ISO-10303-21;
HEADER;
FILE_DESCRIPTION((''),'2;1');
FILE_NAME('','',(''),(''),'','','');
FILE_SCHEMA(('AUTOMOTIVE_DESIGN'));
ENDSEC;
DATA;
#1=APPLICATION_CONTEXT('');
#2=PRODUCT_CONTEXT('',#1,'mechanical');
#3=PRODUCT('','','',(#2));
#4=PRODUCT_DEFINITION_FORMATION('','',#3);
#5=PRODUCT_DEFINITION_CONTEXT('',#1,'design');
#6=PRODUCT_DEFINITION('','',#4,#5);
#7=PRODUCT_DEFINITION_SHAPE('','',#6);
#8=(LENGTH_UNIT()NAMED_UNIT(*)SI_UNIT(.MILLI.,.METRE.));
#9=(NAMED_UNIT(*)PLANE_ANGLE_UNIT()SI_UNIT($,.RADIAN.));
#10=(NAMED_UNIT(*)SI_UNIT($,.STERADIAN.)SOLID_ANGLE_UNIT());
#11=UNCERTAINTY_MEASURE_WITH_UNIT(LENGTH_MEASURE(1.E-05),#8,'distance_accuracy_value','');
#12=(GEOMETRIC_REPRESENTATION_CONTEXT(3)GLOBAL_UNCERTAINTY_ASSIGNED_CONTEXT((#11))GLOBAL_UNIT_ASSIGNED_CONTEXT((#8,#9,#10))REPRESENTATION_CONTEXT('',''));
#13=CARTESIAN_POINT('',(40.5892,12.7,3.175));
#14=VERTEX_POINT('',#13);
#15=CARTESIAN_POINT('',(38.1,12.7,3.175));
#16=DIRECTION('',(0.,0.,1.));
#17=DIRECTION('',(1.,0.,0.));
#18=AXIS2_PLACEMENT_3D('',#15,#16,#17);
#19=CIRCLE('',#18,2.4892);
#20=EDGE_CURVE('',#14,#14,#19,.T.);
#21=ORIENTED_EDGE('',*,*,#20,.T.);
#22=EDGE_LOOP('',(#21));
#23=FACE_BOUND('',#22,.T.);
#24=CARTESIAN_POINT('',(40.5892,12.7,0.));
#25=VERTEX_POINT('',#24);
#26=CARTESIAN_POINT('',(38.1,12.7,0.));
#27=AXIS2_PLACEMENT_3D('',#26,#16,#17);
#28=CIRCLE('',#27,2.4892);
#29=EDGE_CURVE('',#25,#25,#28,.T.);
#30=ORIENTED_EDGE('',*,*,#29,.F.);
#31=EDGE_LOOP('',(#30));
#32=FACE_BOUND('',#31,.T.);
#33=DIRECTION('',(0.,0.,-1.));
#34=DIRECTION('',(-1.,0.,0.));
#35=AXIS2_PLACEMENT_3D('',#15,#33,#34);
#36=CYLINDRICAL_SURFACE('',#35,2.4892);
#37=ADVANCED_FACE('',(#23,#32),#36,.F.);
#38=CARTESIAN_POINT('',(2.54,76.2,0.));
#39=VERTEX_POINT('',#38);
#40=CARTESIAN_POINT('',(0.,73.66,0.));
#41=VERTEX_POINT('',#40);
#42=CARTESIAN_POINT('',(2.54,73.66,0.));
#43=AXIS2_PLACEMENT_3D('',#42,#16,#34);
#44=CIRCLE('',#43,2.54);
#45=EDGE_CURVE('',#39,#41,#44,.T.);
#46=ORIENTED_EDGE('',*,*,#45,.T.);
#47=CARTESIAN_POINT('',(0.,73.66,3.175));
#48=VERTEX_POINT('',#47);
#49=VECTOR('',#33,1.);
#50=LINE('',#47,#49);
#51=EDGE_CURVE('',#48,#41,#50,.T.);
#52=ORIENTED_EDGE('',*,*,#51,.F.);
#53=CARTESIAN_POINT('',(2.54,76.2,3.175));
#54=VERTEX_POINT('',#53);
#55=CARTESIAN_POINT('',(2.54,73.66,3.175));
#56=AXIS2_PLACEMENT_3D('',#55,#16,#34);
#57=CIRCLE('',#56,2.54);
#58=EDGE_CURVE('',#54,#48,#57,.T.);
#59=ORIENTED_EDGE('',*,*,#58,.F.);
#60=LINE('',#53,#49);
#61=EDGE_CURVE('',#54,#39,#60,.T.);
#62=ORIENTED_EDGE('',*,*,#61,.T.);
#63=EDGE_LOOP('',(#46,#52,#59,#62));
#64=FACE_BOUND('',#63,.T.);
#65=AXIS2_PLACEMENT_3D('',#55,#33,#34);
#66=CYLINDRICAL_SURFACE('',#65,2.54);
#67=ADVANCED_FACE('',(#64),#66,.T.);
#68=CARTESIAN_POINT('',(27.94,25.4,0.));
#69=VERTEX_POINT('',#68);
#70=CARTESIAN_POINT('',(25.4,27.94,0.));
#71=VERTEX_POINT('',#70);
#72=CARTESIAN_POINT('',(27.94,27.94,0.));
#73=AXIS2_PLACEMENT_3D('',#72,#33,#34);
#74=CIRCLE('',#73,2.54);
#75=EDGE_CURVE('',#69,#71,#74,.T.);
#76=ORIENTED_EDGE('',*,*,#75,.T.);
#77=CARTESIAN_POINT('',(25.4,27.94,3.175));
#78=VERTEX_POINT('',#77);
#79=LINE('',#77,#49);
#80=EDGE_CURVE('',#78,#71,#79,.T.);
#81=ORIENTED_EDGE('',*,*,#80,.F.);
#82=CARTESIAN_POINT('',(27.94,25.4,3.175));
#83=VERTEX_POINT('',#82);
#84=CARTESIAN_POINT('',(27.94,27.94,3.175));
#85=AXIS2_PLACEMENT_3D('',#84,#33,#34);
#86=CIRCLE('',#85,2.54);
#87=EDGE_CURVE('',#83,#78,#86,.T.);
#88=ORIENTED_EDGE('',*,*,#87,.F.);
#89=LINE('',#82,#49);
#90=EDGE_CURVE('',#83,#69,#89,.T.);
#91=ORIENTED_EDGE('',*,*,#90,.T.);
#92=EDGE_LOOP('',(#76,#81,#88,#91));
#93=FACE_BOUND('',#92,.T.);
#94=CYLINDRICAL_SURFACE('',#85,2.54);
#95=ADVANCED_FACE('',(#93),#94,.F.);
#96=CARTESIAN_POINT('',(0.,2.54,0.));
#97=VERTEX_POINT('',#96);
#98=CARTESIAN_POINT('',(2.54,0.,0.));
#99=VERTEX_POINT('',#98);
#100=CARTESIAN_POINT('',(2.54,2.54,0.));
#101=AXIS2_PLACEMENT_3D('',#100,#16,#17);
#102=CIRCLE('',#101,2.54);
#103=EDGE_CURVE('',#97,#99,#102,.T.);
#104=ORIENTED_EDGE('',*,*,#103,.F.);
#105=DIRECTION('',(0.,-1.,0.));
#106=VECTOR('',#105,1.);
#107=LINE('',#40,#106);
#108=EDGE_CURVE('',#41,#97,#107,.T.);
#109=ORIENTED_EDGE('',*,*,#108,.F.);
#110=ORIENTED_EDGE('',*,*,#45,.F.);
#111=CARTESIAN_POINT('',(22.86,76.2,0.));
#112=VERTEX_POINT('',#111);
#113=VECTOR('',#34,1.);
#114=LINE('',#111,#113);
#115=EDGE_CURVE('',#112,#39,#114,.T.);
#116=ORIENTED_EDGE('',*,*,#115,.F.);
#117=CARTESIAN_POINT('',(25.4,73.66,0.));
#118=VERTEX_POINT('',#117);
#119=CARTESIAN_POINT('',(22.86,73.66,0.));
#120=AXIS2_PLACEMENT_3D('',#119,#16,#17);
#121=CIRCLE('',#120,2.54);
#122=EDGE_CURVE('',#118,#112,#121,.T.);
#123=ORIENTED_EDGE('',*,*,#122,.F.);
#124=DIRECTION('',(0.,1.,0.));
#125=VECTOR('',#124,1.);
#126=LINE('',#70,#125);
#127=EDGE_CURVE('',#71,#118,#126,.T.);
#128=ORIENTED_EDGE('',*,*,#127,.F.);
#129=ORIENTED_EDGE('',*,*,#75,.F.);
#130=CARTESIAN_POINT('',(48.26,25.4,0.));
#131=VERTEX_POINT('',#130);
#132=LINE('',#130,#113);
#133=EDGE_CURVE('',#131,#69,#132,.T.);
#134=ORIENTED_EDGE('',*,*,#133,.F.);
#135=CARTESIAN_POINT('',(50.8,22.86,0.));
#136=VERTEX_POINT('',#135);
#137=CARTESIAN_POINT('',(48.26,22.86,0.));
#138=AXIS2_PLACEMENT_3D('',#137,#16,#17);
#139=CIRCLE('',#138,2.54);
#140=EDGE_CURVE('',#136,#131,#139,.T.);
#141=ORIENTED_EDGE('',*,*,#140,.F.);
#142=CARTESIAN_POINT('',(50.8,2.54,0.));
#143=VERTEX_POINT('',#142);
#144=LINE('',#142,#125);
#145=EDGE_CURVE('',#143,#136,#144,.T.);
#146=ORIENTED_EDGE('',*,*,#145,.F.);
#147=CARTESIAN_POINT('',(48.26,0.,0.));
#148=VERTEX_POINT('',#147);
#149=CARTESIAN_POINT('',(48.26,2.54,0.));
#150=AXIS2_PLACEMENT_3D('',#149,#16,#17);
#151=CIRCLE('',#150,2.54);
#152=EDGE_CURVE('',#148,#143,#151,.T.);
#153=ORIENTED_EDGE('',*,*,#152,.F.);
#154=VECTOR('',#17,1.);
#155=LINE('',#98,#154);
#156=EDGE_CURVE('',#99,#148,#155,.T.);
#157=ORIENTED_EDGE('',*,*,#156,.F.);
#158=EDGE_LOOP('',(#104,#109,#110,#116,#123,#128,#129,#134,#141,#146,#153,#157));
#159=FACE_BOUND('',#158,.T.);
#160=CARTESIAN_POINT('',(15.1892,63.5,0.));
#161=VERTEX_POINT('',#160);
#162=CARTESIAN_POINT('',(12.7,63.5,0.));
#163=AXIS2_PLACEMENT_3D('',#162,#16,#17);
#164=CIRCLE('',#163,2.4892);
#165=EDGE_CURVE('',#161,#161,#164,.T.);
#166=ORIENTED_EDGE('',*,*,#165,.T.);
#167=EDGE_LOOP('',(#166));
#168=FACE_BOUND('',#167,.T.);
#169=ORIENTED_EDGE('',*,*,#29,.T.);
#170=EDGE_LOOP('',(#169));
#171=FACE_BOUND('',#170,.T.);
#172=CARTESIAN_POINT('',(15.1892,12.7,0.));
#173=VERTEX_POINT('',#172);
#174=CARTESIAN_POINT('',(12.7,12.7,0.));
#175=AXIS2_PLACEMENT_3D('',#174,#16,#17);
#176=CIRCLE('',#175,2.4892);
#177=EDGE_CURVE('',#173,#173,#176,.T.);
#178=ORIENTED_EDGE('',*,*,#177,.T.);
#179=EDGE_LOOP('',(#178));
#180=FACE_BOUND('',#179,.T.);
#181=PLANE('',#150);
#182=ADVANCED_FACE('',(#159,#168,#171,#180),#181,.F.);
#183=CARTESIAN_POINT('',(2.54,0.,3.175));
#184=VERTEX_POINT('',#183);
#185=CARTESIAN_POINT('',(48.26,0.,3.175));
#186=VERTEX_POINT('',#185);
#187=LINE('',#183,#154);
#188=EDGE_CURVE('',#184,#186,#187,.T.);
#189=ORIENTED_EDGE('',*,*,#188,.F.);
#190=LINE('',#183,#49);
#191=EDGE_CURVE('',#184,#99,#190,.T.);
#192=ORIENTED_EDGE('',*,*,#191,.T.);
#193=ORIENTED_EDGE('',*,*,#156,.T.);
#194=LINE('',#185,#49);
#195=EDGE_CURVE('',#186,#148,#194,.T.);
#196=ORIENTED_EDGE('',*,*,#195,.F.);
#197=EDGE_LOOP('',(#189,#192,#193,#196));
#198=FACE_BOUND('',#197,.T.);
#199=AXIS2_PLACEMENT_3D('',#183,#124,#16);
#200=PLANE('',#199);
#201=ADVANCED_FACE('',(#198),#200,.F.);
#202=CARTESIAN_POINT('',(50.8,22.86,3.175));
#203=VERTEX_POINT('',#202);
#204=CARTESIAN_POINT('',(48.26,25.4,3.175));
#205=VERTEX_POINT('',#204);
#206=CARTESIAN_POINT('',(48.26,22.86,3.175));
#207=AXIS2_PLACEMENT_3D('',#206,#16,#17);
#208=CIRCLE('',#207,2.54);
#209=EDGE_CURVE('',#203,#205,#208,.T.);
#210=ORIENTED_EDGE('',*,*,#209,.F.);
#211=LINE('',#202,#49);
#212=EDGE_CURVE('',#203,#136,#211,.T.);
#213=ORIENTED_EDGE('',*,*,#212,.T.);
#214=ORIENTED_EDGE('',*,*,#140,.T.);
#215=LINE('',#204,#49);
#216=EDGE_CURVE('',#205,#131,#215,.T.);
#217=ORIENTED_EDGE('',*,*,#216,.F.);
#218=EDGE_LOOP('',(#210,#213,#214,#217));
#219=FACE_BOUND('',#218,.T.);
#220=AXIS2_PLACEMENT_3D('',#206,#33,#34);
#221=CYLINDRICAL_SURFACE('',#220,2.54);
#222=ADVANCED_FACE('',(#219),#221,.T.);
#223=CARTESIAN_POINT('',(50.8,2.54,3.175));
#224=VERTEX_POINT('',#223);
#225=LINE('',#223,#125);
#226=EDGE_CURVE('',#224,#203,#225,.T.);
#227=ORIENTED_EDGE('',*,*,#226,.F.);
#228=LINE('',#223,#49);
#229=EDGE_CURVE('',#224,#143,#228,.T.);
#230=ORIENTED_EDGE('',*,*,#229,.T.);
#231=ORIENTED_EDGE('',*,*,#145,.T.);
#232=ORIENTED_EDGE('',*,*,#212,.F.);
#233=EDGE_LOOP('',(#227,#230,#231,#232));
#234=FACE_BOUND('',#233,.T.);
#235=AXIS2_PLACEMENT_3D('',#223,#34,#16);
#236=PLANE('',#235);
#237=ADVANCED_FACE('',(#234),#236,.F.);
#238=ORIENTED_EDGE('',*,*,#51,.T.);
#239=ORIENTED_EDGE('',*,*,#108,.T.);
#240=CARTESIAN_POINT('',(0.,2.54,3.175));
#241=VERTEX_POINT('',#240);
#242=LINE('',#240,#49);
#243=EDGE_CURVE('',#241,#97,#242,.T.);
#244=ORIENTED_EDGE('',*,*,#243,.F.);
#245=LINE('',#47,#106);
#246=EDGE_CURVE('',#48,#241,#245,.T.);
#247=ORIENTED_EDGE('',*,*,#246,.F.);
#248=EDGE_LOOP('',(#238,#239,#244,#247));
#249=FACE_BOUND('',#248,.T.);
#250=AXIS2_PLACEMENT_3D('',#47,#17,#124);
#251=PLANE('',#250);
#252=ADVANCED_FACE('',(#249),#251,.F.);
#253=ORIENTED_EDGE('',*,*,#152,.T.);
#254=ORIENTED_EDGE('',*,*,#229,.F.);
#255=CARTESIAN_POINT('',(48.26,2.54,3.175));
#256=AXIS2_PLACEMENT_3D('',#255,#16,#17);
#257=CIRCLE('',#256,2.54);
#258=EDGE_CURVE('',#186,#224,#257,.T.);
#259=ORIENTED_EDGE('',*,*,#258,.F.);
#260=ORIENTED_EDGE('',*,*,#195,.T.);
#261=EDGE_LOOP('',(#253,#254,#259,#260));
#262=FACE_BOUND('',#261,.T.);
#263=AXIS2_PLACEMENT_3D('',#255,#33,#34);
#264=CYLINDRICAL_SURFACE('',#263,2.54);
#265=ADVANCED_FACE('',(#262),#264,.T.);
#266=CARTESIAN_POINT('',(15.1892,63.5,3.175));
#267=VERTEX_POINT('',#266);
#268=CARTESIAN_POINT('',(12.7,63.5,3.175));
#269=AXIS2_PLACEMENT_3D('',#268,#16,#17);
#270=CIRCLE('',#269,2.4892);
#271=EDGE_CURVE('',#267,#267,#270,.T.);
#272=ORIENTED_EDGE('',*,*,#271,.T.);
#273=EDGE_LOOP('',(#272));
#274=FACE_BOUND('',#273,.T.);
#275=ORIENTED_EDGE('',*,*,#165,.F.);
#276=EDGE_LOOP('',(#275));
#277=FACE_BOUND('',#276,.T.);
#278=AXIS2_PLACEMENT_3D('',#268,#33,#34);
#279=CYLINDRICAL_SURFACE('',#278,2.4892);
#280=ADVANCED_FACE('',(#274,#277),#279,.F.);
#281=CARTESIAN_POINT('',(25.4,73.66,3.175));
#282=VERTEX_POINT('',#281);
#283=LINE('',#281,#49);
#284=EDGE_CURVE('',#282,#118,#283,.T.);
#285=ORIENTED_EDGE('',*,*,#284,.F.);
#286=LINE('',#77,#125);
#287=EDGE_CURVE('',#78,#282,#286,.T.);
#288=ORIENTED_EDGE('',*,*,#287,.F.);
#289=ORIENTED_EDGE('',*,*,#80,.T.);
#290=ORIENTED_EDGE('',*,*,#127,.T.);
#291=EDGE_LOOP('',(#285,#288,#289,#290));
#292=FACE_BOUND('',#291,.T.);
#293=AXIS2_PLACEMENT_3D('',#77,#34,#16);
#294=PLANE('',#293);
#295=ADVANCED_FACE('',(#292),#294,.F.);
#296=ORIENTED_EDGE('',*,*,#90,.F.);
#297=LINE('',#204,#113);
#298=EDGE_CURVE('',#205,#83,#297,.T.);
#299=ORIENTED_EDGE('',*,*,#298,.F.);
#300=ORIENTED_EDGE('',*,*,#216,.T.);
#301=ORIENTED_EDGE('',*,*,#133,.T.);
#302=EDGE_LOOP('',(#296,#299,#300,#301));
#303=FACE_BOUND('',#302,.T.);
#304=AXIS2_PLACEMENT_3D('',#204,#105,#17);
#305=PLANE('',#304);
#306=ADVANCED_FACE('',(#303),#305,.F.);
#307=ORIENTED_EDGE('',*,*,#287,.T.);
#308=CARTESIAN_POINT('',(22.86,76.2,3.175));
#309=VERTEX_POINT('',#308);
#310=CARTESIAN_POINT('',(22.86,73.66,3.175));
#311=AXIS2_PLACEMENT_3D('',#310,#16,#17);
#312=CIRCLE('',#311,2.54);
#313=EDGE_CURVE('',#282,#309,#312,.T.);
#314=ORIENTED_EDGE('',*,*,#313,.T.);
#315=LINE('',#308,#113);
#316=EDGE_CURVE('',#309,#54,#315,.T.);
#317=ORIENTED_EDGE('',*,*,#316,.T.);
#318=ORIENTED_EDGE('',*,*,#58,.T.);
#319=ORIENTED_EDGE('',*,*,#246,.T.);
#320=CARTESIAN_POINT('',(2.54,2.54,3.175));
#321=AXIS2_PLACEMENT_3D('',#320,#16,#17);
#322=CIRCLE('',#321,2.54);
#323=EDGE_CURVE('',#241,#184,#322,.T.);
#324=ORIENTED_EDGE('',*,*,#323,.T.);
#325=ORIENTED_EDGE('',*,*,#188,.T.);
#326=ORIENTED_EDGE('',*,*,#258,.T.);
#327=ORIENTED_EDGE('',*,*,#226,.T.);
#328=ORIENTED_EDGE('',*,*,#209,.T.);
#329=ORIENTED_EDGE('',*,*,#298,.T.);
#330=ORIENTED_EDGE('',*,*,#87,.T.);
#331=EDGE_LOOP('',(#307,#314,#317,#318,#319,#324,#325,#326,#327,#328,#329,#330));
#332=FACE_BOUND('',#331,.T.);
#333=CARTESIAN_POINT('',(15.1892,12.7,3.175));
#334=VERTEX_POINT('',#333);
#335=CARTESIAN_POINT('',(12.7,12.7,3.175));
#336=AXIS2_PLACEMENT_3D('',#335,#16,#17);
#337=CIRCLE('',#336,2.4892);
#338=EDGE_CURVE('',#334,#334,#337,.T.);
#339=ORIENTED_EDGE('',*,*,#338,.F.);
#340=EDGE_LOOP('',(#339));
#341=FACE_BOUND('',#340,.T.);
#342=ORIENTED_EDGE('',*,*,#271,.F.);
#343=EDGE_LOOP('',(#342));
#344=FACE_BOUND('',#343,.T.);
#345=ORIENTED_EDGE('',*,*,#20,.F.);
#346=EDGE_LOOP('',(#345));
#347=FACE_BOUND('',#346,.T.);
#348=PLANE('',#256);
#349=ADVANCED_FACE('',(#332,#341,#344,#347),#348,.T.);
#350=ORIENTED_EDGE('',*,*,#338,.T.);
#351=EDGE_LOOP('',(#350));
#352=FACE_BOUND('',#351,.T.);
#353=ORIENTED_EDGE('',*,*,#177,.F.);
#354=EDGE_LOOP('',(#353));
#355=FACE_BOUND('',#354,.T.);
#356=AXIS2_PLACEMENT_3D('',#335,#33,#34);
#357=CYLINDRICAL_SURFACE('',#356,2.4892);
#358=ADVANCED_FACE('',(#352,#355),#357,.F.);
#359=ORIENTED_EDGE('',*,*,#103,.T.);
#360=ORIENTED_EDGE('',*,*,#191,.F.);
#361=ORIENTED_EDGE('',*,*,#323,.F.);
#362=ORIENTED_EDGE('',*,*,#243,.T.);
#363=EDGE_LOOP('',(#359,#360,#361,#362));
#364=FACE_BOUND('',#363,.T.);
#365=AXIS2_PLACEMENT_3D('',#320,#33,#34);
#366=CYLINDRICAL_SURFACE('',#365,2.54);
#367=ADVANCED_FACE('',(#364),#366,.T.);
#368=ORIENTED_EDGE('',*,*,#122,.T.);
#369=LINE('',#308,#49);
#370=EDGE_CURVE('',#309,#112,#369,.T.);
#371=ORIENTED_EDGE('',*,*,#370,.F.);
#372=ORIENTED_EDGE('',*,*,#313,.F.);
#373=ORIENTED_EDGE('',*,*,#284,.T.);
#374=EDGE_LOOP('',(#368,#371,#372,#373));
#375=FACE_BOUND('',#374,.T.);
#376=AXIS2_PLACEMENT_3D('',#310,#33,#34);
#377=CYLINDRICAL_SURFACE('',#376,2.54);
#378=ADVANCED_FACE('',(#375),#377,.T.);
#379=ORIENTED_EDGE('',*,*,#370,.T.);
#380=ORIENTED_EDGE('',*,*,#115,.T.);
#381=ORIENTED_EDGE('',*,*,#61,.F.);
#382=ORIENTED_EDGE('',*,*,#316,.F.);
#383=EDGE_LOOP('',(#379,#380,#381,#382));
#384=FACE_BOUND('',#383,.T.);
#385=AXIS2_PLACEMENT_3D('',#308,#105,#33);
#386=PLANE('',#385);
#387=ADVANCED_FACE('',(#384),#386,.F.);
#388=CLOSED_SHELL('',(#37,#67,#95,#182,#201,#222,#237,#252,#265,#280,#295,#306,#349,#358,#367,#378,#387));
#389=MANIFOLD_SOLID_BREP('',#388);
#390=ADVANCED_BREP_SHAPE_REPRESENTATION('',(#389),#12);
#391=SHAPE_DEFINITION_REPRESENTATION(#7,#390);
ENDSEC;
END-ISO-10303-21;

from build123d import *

# Parameters (mm, degrees)
SKETCH1_R           = 2.4892
BOSS_EXTRUDE1_DEPTH = 3.175


with BuildPart() as part:
    # Sketch1 → Boss-Extrude1 (new body)
    with BuildSketch(Plane.XY):
        with BuildLine():
            Line((0, 73.66), (0, 2.54))
            ThreePointArc((0, 2.54), (0.743948776, 0.743948776), (2.54, 0))
            Line((2.54, 0), (48.26, 0))
            ThreePointArc((48.26, 0), (50.056051224, 0.743948776), (50.8, 2.54))
            Line((50.8, 2.54), (50.8, 22.86))
            ThreePointArc((50.8, 22.86), (50.056051224, 24.656051224), (48.26, 25.4))
            Line((48.26, 25.4), (27.94, 25.4))
            ThreePointArc((27.94, 25.4), (26.143948776, 26.143948776), (25.4, 27.94))
            Line((25.4, 27.94), (25.4, 73.66))
            ThreePointArc((25.4, 73.66), (24.656051224, 75.456051224), (22.86, 76.2))
            Line((22.86, 76.2), (2.54, 76.2))
            ThreePointArc((2.54, 76.2), (0.743948776, 75.456051224), (0, 73.66))
        make_face()
        with Locations((12.7, 63.5)):
            Circle(SKETCH1_R, mode=Mode.SUBTRACT)
        with Locations((12.7, 12.7)):
            Circle(SKETCH1_R, mode=Mode.SUBTRACT)
        with Locations((38.1, 12.7)):
            Circle(SKETCH1_R, mode=Mode.SUBTRACT)
    extrude(amount=BOSS_EXTRUDE1_DEPTH)


solid = part.part
